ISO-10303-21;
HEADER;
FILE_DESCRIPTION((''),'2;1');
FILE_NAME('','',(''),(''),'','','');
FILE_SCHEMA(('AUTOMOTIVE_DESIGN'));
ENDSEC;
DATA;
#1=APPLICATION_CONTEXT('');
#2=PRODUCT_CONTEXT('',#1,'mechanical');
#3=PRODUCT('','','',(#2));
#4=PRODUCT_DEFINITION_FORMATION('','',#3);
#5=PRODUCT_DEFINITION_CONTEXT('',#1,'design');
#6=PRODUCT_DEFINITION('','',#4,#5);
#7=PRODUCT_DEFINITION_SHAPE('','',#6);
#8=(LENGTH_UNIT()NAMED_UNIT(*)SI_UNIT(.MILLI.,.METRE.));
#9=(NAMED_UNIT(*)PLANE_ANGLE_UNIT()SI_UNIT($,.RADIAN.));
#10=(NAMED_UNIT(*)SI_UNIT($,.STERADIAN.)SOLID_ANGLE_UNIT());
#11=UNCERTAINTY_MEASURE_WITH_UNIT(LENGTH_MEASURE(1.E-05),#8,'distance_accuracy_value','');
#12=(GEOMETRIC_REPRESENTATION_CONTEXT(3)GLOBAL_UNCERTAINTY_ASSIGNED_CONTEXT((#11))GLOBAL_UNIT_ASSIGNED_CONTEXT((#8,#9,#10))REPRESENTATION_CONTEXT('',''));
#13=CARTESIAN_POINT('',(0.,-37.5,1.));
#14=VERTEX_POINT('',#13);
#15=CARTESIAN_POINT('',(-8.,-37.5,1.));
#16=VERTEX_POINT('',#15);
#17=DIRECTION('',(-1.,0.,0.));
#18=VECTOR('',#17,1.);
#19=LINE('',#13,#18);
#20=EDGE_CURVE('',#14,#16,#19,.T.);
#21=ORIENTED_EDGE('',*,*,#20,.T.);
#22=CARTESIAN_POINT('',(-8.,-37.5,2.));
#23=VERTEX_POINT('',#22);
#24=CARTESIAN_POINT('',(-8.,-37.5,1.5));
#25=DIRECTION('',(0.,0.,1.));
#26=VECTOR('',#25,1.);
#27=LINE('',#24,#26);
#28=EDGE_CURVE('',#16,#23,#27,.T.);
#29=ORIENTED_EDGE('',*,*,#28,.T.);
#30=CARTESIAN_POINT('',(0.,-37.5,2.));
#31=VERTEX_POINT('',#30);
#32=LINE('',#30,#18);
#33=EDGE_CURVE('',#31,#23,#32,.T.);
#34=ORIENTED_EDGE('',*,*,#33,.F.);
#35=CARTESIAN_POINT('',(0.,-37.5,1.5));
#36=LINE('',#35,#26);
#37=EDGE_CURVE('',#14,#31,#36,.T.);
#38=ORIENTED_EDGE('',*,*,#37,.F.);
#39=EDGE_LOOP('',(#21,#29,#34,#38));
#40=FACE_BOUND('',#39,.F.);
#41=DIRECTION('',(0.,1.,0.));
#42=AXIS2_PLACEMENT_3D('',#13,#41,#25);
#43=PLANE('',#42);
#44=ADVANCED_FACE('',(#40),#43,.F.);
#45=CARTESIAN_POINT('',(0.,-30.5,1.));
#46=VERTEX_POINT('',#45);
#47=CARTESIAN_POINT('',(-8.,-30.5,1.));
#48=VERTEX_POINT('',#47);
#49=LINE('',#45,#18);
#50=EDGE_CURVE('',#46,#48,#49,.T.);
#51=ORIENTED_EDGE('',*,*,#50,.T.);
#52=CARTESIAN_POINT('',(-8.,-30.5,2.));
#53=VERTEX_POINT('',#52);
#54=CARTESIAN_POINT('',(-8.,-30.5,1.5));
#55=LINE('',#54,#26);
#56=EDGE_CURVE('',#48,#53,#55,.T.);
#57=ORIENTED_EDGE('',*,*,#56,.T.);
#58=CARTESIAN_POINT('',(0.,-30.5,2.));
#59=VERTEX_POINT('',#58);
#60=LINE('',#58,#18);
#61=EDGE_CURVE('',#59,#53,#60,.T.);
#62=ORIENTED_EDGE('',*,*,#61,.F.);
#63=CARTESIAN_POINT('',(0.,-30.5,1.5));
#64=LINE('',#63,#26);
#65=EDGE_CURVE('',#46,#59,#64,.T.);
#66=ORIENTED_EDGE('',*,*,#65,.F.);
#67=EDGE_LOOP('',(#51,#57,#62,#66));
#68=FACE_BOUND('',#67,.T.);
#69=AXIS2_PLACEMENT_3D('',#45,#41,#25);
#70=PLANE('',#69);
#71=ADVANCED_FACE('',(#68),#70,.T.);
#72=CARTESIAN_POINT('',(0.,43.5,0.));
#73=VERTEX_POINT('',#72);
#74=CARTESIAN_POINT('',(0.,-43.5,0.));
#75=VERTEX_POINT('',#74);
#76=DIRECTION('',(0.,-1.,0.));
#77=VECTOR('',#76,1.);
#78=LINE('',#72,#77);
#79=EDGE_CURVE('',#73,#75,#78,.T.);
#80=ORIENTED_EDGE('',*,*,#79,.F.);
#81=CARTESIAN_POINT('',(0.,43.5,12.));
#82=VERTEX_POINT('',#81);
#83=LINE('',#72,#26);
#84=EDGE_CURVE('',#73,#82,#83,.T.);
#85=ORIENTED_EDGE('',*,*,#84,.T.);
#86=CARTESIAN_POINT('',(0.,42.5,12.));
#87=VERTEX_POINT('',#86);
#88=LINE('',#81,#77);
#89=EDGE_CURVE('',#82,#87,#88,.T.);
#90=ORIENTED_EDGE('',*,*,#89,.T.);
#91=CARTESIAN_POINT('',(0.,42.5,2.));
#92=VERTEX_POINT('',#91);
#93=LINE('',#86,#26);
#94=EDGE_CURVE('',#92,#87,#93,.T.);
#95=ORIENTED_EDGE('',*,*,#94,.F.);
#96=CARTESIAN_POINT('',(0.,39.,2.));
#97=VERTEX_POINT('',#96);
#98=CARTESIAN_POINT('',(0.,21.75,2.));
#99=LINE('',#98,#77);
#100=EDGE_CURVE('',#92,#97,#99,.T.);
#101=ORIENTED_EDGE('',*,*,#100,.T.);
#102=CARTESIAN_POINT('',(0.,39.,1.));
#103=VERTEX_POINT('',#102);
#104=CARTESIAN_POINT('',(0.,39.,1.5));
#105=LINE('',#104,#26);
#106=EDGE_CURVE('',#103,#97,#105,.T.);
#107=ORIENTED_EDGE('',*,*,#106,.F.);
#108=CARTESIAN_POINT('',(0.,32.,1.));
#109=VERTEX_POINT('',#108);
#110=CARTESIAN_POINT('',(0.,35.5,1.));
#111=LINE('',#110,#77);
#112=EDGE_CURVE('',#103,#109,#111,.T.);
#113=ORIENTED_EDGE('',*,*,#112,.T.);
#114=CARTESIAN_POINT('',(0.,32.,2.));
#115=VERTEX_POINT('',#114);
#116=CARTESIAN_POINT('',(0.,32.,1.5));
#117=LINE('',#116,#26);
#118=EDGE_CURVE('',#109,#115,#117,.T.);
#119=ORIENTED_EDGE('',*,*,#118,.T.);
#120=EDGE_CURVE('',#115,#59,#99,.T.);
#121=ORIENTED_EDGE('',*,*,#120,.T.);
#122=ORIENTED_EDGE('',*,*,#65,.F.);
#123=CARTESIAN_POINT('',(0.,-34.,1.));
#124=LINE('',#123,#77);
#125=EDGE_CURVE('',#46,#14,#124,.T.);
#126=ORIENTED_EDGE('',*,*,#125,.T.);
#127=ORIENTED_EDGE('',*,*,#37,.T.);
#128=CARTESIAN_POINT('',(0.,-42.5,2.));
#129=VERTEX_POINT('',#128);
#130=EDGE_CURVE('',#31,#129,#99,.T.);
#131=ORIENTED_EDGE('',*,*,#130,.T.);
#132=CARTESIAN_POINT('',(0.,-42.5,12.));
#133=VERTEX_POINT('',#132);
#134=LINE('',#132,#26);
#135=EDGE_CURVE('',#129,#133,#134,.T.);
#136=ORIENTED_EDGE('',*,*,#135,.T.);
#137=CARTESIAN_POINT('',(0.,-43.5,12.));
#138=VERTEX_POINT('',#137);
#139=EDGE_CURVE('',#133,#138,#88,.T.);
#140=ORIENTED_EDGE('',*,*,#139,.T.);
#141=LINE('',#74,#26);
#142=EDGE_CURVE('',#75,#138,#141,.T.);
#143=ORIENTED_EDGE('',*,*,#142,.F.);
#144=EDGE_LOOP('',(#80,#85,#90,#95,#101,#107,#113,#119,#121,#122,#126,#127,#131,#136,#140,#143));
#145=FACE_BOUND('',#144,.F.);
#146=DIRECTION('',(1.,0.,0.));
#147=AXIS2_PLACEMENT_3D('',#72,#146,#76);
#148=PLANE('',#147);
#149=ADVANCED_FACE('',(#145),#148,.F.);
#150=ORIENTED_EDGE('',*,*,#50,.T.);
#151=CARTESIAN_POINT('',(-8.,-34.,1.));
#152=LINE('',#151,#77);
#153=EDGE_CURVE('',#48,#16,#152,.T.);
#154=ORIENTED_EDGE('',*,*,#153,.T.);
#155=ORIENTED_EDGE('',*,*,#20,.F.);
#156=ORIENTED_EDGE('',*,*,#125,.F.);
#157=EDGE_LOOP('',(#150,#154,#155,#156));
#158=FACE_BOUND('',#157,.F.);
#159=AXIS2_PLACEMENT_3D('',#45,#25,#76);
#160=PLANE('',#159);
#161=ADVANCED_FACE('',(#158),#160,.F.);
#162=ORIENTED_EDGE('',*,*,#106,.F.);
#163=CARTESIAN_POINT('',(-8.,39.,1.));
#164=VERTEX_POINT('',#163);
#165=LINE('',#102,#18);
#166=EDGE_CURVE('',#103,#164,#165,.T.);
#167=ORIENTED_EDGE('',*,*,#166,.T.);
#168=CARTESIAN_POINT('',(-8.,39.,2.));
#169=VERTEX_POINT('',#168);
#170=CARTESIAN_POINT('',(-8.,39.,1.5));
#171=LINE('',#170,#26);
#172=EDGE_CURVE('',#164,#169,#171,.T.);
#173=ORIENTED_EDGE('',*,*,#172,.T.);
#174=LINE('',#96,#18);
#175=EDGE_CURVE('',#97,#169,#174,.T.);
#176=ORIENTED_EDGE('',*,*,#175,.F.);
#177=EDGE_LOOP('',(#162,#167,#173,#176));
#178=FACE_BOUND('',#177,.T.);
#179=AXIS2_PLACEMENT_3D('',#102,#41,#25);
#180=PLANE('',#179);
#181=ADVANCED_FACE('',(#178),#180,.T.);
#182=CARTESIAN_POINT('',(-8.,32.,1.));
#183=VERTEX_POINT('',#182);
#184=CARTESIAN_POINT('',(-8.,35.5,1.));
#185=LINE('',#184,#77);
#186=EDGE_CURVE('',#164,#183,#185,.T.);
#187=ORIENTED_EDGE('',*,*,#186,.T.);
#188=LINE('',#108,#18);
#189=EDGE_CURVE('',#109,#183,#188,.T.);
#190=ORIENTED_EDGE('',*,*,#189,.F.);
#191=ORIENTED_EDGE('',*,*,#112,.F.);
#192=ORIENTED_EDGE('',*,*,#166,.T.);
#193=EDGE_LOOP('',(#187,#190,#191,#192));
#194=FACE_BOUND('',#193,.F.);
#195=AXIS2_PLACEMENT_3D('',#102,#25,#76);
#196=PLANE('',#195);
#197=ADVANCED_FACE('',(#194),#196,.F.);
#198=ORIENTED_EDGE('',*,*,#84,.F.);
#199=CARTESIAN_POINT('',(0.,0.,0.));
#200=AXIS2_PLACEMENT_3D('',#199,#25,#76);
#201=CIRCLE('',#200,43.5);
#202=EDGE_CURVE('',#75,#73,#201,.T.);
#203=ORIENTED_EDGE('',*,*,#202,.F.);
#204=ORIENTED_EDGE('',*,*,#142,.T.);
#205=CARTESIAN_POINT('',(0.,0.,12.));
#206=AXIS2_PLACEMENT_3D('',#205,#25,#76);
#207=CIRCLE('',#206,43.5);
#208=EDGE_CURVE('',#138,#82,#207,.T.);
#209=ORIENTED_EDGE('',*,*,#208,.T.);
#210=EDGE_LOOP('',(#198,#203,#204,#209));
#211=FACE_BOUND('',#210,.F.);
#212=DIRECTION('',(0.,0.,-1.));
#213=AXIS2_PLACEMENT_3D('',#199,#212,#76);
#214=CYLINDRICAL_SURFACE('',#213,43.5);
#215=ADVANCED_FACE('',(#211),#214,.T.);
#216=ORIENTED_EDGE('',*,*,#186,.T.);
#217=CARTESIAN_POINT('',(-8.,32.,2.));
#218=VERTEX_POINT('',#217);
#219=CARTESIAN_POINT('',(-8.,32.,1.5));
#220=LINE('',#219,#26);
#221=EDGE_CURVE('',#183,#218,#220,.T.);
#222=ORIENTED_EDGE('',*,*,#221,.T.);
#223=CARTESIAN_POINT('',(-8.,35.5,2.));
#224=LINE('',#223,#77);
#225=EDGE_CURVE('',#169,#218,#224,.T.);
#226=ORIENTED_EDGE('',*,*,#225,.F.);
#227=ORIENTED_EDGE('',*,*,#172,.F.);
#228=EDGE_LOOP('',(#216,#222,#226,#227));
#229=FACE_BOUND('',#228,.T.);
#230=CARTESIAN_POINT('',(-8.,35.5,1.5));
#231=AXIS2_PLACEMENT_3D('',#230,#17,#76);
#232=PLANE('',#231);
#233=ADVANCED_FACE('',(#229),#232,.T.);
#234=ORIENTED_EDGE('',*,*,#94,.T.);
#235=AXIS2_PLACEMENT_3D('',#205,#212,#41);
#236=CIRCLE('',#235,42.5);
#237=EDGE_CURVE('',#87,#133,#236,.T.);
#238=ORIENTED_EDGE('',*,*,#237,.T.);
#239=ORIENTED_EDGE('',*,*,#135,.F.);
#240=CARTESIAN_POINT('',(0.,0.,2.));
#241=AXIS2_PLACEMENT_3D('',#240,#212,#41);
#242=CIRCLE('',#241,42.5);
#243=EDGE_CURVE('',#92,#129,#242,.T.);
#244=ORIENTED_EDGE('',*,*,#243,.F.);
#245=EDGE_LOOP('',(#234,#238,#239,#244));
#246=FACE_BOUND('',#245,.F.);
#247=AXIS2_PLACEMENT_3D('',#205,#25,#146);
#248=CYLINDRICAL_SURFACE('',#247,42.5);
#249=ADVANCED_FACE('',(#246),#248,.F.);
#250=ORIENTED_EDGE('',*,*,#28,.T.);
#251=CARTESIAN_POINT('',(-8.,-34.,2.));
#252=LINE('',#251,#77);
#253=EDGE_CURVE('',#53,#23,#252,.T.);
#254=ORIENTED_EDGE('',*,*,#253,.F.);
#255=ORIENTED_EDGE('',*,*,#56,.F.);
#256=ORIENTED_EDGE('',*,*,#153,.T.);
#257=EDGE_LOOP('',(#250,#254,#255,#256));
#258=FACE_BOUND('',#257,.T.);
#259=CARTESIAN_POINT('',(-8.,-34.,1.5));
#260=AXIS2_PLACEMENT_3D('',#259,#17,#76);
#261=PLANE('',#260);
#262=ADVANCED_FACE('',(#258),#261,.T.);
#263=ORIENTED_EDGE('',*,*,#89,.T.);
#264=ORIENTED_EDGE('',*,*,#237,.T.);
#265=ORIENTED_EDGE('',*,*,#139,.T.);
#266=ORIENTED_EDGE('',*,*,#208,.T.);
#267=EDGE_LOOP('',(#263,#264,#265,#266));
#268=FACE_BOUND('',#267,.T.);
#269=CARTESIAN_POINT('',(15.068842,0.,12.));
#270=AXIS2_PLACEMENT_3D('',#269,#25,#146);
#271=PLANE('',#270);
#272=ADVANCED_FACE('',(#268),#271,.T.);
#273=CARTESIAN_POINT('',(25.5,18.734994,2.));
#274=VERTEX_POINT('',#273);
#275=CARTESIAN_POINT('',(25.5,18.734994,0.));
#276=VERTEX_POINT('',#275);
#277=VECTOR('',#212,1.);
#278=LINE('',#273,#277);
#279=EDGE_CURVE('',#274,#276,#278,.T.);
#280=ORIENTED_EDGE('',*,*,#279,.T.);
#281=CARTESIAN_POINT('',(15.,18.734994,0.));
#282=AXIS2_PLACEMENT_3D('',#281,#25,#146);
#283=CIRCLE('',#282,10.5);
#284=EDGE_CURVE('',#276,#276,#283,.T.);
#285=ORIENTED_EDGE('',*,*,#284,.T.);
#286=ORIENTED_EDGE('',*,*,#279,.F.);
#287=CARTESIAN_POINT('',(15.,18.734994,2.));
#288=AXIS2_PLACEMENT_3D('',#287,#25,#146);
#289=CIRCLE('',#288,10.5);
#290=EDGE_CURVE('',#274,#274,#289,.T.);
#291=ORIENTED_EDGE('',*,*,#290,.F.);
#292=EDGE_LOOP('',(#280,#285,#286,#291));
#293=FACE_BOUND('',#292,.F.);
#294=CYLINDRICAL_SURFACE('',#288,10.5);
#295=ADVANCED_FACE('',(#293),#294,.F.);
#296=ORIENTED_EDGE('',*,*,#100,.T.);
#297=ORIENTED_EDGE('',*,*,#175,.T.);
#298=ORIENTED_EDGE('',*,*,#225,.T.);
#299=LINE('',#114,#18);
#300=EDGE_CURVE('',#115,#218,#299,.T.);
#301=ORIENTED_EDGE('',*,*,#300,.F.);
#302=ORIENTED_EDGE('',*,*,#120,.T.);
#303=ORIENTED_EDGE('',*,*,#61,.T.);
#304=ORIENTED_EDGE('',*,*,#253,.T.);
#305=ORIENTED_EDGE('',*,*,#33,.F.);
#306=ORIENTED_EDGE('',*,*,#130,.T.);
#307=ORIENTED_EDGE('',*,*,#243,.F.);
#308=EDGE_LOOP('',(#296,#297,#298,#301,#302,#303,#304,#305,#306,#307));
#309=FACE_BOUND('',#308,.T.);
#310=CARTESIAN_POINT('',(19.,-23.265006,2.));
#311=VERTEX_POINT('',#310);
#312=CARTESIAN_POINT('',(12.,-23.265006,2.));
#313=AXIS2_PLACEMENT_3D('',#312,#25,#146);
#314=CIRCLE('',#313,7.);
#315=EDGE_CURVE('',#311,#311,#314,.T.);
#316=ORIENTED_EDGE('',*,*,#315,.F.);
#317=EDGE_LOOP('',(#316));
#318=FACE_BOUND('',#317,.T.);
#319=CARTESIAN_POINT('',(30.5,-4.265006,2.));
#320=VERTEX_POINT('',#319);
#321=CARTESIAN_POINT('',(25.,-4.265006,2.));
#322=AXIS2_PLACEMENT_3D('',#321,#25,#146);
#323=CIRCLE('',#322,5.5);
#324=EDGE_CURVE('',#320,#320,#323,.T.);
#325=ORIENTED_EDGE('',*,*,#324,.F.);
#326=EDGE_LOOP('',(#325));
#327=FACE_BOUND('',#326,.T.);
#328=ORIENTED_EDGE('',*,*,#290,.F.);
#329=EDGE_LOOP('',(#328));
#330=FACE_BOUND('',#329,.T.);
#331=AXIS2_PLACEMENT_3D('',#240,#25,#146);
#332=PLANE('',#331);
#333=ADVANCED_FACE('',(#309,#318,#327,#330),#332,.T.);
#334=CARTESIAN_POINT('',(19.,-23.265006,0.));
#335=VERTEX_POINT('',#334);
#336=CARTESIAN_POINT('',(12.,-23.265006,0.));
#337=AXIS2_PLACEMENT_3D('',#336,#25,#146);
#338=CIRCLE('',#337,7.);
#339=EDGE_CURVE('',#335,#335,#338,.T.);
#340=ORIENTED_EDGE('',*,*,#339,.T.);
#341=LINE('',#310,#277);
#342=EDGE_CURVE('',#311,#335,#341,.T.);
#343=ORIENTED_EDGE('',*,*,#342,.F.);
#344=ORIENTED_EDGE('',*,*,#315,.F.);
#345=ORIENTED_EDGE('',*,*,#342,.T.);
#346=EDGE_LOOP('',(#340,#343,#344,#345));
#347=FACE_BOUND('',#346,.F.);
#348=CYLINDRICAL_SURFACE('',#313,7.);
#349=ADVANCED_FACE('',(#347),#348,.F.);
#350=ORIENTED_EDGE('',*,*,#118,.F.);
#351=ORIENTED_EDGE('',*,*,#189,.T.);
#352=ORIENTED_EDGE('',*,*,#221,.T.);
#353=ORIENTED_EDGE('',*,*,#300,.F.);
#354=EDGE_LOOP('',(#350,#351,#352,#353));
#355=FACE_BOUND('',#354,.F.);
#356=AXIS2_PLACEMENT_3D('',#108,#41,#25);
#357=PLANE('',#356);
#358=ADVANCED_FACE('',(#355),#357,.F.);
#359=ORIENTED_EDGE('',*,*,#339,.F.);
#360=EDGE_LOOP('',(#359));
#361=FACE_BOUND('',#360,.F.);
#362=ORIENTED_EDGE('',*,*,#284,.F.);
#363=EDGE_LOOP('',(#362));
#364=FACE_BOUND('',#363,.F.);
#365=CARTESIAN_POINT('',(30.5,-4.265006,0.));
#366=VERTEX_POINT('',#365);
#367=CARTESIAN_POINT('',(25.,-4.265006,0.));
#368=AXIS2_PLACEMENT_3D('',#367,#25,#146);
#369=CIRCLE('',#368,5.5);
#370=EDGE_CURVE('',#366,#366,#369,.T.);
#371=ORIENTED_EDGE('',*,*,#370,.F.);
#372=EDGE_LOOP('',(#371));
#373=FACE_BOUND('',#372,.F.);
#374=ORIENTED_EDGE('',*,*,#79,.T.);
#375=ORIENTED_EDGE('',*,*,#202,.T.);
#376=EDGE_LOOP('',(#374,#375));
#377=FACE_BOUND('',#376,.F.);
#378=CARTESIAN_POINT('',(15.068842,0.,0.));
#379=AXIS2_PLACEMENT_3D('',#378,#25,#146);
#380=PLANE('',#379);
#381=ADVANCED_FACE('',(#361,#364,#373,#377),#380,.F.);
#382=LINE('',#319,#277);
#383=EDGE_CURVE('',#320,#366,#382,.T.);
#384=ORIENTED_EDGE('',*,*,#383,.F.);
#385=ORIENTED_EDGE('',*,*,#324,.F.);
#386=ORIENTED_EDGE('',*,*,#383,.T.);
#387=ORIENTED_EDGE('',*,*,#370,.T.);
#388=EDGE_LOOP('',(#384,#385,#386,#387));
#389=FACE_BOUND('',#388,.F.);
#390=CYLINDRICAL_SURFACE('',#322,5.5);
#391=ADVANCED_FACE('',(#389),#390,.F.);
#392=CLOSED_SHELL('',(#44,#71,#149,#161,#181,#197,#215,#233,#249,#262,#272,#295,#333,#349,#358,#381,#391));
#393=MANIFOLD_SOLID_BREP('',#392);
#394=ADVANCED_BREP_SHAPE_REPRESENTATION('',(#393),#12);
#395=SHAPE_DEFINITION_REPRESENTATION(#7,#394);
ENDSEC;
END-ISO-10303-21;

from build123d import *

# Parameters (mm, degrees)
F1_DEPTH = 12
F2_R     = 42.5
F3_DEPTH = 10
F4_R     = 10.5
F4_R_2   = 5.5
F4_R_3   = 7
F5_DEPTH = 2.001
F6_W     = 7
F6_H     = 1
F7_DEPTH = 8


with BuildPart() as f1:
    # F0 (on Top) → F1 (new body)
    with BuildSketch(Plane.XY):
        with BuildLine():
            Line((0, 43.5), (0, -43.5))
            ThreePointArc((0, -43.5), (43.5, 0), (0, 43.5))
        make_face()
    extrude(amount=F1_DEPTH)

    # F2 (on face) → F3 (cut)
    with BuildSketch(Plane.XY.offset(12)):
        Circle(F2_R)
    extrude(amount=-F3_DEPTH, mode=Mode.SUBTRACT)

    # F4 (on face) → F5 (cut, through all)
    with BuildSketch(Plane.XY.offset(2)):
        with Locations((-15, 18.734994)):
            Circle(F4_R)
        with Locations((-25, -4.265006)):
            Circle(F4_R_2)
        with Locations((-12, -23.265006)):
            Circle(F4_R_3)
        with Locations((15, 18.734994)):
            Circle(F4_R)
        with Locations((25, -4.265006)):
            Circle(F4_R_2)
        with Locations((12, -23.265006)):
            Circle(F4_R_3)
    extrude(amount=-F5_DEPTH, mode=Mode.SUBTRACT)

    # F6 (on face) → F7 (join)
    with BuildSketch(Plane(origin=(0, 0, 0), x_dir=(0, -1, 0), z_dir=(-1, 0, 0))):
        with Locations((-35.5, 1.5)):
            Rectangle(F6_W, F6_H)
        with Locations((34, 1.5)):
            Rectangle(F6_W, F6_H)
    extrude(amount=F7_DEPTH)


solid = f1.part
